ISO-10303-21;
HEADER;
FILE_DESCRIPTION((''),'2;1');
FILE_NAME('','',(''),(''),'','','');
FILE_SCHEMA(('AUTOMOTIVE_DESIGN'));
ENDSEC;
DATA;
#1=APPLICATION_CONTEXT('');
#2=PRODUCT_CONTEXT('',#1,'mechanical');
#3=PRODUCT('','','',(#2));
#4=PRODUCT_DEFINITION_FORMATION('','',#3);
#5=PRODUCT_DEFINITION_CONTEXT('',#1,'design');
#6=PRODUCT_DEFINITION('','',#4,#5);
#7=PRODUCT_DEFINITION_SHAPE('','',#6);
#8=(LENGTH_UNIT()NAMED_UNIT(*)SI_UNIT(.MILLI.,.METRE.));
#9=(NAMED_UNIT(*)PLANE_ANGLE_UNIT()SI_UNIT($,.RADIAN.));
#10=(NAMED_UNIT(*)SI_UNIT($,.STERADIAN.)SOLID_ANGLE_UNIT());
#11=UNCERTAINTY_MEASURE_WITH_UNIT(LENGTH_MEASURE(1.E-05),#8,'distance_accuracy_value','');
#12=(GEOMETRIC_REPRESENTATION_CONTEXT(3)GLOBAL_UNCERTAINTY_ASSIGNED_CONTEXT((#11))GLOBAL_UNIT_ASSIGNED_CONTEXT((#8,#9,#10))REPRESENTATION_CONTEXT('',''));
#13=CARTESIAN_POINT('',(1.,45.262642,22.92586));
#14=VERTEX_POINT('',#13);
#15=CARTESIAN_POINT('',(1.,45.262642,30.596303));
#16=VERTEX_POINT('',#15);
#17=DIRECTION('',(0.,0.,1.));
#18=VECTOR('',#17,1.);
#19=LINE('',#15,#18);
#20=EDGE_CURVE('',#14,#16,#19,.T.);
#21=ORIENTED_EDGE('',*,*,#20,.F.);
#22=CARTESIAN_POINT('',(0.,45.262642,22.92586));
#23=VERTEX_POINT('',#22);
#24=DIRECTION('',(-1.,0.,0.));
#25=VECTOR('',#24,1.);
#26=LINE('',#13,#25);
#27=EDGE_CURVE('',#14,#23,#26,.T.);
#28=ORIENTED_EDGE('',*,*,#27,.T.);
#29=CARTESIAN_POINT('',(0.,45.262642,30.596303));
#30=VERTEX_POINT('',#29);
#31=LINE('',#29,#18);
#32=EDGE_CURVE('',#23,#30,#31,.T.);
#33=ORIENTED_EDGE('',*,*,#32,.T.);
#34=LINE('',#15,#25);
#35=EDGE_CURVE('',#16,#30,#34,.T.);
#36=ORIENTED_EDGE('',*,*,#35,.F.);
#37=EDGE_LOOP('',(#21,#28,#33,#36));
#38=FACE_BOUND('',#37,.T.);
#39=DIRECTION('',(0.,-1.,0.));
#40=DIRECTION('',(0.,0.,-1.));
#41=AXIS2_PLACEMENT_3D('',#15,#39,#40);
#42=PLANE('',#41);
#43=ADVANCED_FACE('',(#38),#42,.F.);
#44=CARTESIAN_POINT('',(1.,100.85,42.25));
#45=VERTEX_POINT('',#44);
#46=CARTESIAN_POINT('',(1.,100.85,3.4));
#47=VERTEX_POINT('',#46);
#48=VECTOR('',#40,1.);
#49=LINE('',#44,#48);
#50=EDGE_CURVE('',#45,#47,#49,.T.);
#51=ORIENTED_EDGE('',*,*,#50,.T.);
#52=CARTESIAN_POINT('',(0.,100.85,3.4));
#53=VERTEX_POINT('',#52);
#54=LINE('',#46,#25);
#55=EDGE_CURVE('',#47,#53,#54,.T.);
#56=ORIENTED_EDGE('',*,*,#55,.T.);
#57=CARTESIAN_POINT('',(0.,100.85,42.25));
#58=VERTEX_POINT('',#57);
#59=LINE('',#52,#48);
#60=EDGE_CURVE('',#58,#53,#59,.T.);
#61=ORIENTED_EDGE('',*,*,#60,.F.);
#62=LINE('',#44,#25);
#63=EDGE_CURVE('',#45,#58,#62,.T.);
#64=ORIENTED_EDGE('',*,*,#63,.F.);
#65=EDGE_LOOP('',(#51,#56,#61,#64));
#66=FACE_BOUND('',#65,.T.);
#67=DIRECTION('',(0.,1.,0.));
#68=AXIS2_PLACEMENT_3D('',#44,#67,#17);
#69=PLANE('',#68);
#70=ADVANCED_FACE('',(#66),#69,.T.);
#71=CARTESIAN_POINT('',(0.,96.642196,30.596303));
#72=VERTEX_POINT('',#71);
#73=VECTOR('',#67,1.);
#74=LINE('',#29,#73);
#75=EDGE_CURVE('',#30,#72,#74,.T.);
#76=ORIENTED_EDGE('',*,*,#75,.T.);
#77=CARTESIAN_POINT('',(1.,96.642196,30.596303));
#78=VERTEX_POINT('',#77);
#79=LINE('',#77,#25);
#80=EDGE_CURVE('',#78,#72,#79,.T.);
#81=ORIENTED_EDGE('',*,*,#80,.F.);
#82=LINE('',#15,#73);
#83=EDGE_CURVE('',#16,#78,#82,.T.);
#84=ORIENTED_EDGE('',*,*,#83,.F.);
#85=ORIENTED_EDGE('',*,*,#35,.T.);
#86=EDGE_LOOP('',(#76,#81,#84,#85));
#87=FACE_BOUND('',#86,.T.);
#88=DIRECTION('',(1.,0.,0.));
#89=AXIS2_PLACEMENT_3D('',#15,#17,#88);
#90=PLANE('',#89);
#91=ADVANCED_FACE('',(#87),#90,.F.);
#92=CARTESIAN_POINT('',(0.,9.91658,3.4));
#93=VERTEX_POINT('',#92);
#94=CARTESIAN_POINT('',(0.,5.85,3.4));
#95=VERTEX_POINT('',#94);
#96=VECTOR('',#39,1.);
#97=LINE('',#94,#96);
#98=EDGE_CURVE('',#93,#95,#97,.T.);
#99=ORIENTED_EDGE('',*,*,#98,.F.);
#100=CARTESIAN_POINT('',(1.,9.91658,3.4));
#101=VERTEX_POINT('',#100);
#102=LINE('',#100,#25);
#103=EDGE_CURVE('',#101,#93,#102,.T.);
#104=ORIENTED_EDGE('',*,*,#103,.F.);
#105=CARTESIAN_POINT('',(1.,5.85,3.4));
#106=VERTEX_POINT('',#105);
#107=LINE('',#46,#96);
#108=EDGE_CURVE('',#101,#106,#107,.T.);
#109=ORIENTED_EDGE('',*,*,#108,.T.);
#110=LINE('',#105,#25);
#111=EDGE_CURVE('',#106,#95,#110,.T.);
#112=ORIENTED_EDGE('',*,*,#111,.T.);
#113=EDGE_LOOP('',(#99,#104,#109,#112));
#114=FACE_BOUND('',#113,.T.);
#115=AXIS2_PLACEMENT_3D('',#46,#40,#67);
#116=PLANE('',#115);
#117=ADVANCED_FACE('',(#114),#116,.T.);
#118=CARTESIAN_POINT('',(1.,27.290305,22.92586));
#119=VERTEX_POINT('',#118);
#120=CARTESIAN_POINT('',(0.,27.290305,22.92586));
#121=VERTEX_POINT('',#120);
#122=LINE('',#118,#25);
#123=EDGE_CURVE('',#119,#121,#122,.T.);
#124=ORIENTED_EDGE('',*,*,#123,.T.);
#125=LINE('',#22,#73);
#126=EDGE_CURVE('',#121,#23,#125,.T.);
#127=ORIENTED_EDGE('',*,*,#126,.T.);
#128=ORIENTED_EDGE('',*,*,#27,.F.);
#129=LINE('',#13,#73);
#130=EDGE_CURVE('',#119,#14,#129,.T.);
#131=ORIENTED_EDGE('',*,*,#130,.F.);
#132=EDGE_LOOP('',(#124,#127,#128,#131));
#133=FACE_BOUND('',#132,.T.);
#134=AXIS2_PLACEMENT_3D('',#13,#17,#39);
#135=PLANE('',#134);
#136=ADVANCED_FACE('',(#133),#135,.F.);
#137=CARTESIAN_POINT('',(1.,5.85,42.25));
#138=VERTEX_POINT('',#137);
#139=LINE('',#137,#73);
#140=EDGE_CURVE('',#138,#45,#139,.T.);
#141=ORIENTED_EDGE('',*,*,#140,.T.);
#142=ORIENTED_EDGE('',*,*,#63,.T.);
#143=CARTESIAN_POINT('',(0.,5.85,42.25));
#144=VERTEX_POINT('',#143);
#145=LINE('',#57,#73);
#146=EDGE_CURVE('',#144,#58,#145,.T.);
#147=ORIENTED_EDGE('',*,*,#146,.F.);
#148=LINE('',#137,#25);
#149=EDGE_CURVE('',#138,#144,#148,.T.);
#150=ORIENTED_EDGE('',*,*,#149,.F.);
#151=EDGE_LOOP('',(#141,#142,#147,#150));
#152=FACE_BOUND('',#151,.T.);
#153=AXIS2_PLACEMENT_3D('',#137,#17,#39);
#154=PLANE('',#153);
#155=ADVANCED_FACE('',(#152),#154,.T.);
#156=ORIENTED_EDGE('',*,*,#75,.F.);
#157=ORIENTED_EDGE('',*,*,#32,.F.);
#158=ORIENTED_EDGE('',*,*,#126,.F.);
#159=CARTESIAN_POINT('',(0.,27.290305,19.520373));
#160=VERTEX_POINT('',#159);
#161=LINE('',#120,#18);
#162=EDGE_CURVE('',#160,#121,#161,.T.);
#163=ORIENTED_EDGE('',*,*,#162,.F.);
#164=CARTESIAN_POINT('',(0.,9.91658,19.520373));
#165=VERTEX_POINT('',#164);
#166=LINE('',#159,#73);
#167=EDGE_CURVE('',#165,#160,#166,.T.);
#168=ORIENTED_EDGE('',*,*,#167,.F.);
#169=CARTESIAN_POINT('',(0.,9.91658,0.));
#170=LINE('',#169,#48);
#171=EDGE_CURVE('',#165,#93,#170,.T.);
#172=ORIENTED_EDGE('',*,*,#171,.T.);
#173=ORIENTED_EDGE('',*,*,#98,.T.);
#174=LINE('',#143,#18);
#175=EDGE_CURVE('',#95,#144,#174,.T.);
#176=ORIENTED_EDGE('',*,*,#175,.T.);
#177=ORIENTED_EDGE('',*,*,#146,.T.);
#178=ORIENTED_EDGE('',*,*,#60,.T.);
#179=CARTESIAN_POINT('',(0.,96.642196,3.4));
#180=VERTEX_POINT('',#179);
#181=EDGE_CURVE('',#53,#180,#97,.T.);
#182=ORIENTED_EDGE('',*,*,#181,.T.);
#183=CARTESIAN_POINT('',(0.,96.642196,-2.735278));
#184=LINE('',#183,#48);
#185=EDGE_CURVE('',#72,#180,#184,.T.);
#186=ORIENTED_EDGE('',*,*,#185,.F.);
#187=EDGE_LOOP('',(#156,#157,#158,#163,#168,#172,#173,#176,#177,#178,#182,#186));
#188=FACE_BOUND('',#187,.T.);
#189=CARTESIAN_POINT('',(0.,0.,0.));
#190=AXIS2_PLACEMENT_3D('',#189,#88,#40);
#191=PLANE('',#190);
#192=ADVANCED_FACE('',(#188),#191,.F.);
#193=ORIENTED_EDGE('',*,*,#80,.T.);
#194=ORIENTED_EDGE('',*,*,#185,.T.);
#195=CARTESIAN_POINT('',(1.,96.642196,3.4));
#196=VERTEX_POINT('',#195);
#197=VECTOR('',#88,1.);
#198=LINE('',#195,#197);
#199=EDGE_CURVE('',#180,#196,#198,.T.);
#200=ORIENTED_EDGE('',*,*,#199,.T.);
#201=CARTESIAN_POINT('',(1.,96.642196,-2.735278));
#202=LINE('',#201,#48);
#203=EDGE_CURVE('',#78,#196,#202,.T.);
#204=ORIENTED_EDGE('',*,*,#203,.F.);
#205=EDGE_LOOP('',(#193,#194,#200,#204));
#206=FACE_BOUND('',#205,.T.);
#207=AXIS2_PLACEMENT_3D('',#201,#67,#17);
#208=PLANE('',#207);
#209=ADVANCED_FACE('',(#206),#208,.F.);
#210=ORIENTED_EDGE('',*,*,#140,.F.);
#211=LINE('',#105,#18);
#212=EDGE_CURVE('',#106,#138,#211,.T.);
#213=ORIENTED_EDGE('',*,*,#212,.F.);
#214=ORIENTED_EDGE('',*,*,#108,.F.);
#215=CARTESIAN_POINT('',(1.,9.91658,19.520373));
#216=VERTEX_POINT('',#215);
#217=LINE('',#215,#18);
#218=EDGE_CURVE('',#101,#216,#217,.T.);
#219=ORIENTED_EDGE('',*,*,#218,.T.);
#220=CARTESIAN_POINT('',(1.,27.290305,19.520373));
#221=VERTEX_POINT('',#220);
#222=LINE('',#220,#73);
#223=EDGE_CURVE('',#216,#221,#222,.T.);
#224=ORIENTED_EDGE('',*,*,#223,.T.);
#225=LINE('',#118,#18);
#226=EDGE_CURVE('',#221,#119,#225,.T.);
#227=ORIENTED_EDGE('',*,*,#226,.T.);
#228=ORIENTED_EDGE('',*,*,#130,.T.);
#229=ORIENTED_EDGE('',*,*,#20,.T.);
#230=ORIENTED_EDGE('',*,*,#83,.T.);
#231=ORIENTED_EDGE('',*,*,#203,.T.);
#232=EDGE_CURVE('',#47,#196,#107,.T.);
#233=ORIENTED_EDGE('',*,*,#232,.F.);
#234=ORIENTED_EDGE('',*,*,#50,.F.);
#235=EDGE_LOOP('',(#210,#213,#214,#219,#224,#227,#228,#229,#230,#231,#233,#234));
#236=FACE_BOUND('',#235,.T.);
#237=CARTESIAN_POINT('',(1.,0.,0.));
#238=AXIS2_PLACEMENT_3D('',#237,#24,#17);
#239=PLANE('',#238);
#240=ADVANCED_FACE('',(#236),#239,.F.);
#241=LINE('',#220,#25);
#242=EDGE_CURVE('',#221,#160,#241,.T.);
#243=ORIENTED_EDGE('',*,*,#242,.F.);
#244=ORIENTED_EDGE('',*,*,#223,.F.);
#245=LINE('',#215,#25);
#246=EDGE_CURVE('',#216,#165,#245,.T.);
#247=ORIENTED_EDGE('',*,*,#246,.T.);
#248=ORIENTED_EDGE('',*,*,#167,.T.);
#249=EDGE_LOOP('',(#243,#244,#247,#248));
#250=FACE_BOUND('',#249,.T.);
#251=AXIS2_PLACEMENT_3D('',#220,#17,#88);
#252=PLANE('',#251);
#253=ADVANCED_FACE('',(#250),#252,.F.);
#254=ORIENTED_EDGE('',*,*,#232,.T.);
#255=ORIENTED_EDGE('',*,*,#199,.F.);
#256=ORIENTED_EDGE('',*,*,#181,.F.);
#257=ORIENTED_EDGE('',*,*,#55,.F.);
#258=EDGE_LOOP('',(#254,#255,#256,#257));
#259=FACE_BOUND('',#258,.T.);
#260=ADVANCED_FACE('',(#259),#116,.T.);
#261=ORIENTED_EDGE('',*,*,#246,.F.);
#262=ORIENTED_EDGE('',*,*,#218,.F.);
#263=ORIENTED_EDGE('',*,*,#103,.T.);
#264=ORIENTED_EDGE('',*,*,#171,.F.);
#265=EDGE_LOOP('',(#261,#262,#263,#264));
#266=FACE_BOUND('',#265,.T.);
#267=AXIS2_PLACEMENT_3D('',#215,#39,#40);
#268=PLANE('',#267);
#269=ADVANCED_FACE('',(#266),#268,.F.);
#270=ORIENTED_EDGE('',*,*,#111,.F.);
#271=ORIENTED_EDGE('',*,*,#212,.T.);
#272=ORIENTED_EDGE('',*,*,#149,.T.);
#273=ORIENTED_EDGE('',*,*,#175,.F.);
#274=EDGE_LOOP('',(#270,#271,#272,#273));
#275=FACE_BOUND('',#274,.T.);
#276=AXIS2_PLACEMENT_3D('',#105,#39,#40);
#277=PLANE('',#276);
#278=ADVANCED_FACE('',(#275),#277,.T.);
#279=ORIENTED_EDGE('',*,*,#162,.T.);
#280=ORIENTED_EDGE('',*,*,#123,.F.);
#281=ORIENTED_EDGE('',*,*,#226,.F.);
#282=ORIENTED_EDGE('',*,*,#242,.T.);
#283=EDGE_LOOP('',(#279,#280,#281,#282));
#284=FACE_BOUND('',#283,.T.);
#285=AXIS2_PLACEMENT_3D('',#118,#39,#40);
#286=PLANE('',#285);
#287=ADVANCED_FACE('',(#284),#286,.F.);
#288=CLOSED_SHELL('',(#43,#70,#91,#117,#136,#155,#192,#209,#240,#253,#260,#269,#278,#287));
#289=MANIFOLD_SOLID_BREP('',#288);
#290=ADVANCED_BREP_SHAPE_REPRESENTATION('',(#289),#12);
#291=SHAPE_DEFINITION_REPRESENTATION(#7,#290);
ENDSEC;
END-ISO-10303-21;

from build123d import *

# Parameters (mm, degrees)
SKETCH_1_W          = 95
SKETCH_1_H          = 38.85
EXTRUDE_1_DEPTH     = 0.5
SKETCH_2_W          = 38.85
SKETCH_2_H          = 95
EXTRUDE_2_DEPTH     = 0.5
CUT_EXTRUDE_1_DEPTH = 110.347085009


with BuildPart() as part:
    # Эскиз1 → Бобышка-Вытянуть1 (new body)
    with BuildSketch(Plane(origin=(0.5, 0, 0), x_dir=(0, -1, 0), z_dir=(-1, 0, 0))):
        with Locations((-53.35, 22.825)):
            Rectangle(SKETCH_1_W, SKETCH_1_H)
    extrude(amount=-EXTRUDE_1_DEPTH)

    # Эскиз2 → Бобышка-Вытянуть2 (add)
    with BuildSketch(Plane.ZY.offset(-0.5)):
        with Locations((22.825, 53.35)):
            Rectangle(SKETCH_2_W, SKETCH_2_H)
    extrude(amount=EXTRUDE_2_DEPTH)

    # Эскиз3 → Вырез-Вытянуть1 (cut, through all)
    with BuildSketch(Plane.ZY):
        Polygon((22.925859733, 27.290305028), (19.520373336, 27.290305028), (19.520373336, 9.916579837), (-2.735278428, 9.916579837), (-2.735278428, 27.290305028), (-2.735278428, 45.262642497), (-2.735278428, 96.642195874), (30.596303396, 96.642195874), (30.596303396, 45.262642497), (22.925859733, 45.262642497), align=None)
    extrude(amount=-CUT_EXTRUDE_1_DEPTH, mode=Mode.SUBTRACT)


solid = part.part
